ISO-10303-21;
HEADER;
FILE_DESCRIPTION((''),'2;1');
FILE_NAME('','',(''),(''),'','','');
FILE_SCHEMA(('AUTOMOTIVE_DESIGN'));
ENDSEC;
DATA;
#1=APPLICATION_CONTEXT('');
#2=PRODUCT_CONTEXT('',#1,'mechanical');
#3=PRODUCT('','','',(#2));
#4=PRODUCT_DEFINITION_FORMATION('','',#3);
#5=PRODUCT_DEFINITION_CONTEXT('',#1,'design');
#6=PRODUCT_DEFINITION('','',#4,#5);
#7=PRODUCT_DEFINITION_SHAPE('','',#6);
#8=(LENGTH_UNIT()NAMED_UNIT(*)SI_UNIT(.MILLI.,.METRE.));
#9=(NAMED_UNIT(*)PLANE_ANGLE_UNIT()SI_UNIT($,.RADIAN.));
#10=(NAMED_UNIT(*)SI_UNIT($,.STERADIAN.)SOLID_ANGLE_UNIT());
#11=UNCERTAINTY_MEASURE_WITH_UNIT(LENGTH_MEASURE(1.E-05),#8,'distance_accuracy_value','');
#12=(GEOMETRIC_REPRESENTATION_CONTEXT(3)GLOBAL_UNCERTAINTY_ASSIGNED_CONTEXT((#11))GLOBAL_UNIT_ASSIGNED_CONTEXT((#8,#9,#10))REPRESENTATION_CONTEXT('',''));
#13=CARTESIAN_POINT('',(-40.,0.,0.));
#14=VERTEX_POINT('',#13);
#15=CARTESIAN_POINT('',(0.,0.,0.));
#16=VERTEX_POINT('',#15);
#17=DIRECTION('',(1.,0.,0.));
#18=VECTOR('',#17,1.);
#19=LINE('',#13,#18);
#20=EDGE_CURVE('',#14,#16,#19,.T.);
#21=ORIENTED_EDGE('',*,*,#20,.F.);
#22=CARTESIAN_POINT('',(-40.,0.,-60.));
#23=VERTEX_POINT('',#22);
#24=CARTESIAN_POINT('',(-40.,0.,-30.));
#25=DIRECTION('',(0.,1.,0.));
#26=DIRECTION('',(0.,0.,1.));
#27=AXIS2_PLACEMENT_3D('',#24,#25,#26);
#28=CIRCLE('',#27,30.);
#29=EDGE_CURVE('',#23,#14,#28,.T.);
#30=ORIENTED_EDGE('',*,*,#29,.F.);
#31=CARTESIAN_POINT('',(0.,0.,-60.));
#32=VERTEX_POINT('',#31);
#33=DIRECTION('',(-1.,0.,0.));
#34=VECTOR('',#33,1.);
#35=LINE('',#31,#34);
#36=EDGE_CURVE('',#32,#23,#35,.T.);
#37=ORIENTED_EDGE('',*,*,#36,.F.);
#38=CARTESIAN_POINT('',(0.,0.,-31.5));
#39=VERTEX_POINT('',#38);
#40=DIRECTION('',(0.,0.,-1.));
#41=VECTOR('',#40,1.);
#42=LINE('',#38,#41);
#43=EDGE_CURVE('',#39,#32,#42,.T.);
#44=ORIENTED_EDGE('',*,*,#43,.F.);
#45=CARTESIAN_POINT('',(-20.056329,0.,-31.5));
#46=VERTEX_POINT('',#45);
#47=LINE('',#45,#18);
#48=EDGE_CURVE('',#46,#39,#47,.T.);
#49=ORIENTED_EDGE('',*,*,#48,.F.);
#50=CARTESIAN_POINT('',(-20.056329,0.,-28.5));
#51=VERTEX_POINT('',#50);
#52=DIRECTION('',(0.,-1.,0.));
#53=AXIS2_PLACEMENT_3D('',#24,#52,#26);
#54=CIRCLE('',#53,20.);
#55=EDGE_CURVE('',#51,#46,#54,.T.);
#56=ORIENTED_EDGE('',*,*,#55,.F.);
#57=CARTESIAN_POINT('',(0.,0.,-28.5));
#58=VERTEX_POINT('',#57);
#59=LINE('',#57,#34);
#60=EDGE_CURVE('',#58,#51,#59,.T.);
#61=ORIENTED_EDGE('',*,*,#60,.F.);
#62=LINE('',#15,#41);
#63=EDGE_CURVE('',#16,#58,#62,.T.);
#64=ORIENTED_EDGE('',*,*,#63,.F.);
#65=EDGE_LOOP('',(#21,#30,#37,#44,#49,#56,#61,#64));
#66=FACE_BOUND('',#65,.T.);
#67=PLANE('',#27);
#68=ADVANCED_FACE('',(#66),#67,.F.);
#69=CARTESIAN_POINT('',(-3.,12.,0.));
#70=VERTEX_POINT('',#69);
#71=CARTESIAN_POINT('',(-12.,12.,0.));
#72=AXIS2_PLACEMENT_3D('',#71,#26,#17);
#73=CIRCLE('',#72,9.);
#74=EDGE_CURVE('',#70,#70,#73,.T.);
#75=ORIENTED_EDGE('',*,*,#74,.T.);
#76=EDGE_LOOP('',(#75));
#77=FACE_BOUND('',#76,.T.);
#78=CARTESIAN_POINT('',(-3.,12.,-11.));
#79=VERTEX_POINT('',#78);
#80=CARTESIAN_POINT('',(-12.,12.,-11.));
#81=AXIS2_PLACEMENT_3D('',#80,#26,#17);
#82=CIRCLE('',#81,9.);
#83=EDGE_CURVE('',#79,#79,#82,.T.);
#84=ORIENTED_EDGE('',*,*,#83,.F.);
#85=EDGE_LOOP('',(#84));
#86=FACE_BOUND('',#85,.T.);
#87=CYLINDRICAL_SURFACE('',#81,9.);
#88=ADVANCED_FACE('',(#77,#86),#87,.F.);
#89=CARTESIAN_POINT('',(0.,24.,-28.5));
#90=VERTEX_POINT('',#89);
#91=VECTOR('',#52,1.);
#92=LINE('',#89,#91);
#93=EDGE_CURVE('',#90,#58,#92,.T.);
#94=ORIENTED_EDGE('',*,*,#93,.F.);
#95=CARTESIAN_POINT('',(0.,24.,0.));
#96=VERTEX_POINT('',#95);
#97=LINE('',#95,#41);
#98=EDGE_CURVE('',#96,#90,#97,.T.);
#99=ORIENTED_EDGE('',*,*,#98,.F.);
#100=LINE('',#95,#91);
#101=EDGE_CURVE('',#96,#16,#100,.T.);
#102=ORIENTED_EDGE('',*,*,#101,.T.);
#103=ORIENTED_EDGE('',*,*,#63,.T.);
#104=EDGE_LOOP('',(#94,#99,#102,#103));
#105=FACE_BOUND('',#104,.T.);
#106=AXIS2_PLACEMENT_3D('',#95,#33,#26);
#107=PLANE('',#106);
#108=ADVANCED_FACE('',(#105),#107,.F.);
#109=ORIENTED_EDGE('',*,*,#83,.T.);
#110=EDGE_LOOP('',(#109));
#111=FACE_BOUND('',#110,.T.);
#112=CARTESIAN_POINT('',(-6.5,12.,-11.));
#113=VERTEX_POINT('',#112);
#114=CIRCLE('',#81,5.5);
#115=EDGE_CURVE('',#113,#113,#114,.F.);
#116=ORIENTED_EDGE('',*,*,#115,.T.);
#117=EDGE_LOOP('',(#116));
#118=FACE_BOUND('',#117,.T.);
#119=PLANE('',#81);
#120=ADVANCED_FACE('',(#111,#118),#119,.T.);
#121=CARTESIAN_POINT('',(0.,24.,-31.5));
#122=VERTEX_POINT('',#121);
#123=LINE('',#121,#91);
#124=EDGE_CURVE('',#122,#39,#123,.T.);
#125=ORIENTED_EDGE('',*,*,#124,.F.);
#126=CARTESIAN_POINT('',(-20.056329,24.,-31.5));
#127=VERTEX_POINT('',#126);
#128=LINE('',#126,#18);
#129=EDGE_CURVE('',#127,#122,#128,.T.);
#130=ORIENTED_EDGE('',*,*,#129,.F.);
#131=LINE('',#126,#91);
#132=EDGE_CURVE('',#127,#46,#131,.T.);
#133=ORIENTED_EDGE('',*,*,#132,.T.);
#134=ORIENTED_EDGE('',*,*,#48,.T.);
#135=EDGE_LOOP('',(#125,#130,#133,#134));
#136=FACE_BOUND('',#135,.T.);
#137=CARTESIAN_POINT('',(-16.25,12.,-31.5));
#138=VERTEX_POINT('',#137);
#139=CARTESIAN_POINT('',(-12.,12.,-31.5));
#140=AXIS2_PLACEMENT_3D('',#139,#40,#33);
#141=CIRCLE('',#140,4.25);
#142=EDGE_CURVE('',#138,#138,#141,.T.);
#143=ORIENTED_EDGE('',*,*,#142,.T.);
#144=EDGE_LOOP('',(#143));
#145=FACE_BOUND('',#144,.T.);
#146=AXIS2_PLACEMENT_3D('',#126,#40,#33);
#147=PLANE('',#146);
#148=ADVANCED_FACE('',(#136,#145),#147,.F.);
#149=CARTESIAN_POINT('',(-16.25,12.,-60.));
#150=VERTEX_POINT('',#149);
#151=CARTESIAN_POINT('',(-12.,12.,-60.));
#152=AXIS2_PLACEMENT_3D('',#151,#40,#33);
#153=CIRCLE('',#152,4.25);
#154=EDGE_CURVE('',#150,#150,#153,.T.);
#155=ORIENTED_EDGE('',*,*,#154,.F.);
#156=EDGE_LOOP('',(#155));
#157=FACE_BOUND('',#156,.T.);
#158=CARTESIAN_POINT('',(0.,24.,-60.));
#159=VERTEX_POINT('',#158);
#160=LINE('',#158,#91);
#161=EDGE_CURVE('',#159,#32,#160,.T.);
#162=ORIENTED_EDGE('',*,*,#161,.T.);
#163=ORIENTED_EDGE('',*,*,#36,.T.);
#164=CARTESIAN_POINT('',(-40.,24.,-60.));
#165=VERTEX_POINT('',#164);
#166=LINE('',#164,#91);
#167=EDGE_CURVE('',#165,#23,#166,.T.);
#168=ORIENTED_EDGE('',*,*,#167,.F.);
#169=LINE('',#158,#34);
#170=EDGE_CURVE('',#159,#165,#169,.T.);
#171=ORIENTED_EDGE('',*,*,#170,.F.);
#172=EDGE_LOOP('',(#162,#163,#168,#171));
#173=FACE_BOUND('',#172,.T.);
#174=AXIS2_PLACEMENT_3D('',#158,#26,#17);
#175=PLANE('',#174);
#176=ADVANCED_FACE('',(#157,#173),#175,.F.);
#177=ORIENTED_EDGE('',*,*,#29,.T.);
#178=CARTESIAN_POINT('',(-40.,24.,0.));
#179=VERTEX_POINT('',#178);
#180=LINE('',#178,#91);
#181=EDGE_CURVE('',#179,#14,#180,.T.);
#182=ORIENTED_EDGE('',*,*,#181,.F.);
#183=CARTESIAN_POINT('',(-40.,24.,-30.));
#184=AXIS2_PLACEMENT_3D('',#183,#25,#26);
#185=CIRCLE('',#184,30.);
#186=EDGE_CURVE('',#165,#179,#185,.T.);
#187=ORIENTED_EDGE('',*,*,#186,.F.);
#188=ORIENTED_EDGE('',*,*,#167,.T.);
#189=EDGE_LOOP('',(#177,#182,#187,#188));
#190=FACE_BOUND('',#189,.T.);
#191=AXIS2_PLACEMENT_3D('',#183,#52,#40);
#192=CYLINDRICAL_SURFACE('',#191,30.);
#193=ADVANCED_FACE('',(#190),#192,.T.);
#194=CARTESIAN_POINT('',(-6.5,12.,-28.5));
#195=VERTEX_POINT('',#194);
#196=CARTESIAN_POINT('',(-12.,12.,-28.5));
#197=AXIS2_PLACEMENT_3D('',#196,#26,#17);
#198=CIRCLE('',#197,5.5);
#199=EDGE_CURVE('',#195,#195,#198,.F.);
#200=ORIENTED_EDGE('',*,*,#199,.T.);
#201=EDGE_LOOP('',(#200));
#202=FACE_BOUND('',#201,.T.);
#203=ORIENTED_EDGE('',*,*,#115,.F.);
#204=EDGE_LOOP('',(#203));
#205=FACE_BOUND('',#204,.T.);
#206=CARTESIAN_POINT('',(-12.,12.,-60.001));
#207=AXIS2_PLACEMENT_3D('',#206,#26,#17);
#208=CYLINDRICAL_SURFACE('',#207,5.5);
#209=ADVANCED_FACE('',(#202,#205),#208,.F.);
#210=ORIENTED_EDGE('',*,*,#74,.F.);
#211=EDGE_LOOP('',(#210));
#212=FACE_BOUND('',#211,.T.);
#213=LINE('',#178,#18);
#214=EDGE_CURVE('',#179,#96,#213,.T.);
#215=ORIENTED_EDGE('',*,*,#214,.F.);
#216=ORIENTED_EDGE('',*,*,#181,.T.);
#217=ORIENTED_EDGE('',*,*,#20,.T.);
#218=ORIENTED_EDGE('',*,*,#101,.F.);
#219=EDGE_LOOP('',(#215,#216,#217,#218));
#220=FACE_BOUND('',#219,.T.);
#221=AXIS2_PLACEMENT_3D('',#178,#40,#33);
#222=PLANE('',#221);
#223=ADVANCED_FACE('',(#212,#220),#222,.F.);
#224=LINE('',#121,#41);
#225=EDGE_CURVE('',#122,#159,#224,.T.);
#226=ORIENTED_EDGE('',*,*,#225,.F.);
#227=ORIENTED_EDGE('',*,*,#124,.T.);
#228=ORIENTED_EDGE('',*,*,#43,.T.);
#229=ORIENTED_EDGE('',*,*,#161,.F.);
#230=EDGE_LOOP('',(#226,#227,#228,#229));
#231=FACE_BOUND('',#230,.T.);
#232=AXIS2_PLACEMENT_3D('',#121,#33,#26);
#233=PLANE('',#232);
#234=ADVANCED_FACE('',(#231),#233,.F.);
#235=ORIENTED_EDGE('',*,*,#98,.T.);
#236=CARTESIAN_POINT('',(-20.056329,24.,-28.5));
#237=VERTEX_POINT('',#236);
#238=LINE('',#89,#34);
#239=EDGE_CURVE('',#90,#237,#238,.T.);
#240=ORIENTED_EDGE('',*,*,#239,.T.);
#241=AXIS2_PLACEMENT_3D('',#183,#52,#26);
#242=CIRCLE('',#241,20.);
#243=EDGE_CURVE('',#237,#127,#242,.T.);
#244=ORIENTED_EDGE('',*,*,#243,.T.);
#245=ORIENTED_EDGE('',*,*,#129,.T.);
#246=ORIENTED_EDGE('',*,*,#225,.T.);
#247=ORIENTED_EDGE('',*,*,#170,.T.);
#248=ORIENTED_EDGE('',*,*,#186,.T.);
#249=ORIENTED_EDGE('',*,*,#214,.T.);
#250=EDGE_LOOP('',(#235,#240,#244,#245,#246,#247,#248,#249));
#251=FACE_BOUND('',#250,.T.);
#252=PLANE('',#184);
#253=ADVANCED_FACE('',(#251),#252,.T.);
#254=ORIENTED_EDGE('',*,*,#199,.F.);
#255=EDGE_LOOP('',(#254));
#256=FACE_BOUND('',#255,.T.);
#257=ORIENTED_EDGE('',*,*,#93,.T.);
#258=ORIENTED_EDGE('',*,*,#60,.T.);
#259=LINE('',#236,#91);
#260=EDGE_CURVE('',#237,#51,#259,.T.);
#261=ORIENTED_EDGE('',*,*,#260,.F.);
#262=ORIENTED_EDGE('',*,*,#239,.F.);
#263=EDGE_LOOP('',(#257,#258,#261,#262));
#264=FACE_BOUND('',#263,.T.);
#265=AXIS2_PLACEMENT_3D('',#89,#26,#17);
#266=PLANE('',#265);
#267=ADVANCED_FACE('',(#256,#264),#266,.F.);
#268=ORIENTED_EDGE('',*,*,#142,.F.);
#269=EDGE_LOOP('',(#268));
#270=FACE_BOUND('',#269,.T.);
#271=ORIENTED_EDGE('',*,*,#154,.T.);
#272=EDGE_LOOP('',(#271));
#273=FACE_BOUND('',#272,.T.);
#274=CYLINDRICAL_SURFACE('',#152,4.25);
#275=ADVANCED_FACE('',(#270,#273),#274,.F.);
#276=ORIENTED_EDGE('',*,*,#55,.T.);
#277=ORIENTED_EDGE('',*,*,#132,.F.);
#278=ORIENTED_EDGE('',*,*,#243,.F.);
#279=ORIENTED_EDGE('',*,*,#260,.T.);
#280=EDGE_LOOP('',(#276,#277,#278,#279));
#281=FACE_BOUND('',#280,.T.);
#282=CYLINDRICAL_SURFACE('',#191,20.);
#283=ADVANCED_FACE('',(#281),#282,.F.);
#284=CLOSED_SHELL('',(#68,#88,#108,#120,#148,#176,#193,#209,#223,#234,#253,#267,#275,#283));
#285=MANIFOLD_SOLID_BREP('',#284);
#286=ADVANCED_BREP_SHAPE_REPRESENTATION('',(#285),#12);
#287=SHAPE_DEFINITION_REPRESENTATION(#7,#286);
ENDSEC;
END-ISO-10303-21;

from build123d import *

# Parameters (mm, degrees)
P_IDAT_VYSUNUT_M1_DEPTH  = 24
ODEBRAT_VYSUNUT_M1_REACH = 62
SKICA2_R                 = 5.5
SKICA3_R                 = 9
ODEBRAT_VYSUNUT_M2_DEPTH = 11
M10_Z_VIT1_D             = 8.5
M10_Z_VIT1_DEPTH         = 28.5


with BuildPart() as part:
    # Skica1 → Přidat vysunutím1 (new body)
    with BuildSketch(Plane(origin=(0, 0, 0), x_dir=(1, 0, 0), z_dir=(0, 1, 0))):
        with BuildLine():
            Line((0, 0), (0, 28.5))
            Line((0, 28.5), (-20.056329325, 28.5))
            ThreePointArc((-20.056329325, 28.5), (-60, 30), (-20.056329325, 31.5))
            Line((-20.056329325, 31.5), (0, 31.5))
            Line((0, 31.5), (0, 60))
            Line((0, 60), (-40, 60))
            ThreePointArc((-40, 60), (-70, 30), (-40, 0))
            Line((-40, 0), (0, 0))
        make_face()
    extrude(amount=P_IDAT_VYSUNUT_M1_DEPTH)

    # Skica2 → Odebrat vysunutím1 (cut, up to next)
    with BuildSketch(Plane.XY, mode=Mode.PRIVATE) as odebrat_vysunut_m1_sk1:
        with Locations((-12, 12)):
            Circle(SKICA2_R)
    odebrat_vysunut_m1_tool1 = extrude(odebrat_vysunut_m1_sk1.sketch, amount=-ODEBRAT_VYSUNUT_M1_REACH, mode=Mode.PRIVATE) & part.part
    add(odebrat_vysunut_m1_tool1.solids().sort_by_distance((-12, 12, 0))[0], mode=Mode.SUBTRACT)

    # Skica3 → Odebrat vysunutím2 (cut)
    with BuildSketch(Plane.XY):
        with Locations((-12, 12)):
            Circle(SKICA3_R)
    extrude(amount=-ODEBRAT_VYSUNUT_M2_DEPTH, mode=Mode.SUBTRACT)

    # M10 závit1
    with Locations(Plane(origin=(0, 0, -60), x_dir=(-1, 0, 0), z_dir=(0, 0, -1))):
        with Locations((12, 12)):
            Hole(M10_Z_VIT1_D / 2, depth=M10_Z_VIT1_DEPTH)


solid = part.part
